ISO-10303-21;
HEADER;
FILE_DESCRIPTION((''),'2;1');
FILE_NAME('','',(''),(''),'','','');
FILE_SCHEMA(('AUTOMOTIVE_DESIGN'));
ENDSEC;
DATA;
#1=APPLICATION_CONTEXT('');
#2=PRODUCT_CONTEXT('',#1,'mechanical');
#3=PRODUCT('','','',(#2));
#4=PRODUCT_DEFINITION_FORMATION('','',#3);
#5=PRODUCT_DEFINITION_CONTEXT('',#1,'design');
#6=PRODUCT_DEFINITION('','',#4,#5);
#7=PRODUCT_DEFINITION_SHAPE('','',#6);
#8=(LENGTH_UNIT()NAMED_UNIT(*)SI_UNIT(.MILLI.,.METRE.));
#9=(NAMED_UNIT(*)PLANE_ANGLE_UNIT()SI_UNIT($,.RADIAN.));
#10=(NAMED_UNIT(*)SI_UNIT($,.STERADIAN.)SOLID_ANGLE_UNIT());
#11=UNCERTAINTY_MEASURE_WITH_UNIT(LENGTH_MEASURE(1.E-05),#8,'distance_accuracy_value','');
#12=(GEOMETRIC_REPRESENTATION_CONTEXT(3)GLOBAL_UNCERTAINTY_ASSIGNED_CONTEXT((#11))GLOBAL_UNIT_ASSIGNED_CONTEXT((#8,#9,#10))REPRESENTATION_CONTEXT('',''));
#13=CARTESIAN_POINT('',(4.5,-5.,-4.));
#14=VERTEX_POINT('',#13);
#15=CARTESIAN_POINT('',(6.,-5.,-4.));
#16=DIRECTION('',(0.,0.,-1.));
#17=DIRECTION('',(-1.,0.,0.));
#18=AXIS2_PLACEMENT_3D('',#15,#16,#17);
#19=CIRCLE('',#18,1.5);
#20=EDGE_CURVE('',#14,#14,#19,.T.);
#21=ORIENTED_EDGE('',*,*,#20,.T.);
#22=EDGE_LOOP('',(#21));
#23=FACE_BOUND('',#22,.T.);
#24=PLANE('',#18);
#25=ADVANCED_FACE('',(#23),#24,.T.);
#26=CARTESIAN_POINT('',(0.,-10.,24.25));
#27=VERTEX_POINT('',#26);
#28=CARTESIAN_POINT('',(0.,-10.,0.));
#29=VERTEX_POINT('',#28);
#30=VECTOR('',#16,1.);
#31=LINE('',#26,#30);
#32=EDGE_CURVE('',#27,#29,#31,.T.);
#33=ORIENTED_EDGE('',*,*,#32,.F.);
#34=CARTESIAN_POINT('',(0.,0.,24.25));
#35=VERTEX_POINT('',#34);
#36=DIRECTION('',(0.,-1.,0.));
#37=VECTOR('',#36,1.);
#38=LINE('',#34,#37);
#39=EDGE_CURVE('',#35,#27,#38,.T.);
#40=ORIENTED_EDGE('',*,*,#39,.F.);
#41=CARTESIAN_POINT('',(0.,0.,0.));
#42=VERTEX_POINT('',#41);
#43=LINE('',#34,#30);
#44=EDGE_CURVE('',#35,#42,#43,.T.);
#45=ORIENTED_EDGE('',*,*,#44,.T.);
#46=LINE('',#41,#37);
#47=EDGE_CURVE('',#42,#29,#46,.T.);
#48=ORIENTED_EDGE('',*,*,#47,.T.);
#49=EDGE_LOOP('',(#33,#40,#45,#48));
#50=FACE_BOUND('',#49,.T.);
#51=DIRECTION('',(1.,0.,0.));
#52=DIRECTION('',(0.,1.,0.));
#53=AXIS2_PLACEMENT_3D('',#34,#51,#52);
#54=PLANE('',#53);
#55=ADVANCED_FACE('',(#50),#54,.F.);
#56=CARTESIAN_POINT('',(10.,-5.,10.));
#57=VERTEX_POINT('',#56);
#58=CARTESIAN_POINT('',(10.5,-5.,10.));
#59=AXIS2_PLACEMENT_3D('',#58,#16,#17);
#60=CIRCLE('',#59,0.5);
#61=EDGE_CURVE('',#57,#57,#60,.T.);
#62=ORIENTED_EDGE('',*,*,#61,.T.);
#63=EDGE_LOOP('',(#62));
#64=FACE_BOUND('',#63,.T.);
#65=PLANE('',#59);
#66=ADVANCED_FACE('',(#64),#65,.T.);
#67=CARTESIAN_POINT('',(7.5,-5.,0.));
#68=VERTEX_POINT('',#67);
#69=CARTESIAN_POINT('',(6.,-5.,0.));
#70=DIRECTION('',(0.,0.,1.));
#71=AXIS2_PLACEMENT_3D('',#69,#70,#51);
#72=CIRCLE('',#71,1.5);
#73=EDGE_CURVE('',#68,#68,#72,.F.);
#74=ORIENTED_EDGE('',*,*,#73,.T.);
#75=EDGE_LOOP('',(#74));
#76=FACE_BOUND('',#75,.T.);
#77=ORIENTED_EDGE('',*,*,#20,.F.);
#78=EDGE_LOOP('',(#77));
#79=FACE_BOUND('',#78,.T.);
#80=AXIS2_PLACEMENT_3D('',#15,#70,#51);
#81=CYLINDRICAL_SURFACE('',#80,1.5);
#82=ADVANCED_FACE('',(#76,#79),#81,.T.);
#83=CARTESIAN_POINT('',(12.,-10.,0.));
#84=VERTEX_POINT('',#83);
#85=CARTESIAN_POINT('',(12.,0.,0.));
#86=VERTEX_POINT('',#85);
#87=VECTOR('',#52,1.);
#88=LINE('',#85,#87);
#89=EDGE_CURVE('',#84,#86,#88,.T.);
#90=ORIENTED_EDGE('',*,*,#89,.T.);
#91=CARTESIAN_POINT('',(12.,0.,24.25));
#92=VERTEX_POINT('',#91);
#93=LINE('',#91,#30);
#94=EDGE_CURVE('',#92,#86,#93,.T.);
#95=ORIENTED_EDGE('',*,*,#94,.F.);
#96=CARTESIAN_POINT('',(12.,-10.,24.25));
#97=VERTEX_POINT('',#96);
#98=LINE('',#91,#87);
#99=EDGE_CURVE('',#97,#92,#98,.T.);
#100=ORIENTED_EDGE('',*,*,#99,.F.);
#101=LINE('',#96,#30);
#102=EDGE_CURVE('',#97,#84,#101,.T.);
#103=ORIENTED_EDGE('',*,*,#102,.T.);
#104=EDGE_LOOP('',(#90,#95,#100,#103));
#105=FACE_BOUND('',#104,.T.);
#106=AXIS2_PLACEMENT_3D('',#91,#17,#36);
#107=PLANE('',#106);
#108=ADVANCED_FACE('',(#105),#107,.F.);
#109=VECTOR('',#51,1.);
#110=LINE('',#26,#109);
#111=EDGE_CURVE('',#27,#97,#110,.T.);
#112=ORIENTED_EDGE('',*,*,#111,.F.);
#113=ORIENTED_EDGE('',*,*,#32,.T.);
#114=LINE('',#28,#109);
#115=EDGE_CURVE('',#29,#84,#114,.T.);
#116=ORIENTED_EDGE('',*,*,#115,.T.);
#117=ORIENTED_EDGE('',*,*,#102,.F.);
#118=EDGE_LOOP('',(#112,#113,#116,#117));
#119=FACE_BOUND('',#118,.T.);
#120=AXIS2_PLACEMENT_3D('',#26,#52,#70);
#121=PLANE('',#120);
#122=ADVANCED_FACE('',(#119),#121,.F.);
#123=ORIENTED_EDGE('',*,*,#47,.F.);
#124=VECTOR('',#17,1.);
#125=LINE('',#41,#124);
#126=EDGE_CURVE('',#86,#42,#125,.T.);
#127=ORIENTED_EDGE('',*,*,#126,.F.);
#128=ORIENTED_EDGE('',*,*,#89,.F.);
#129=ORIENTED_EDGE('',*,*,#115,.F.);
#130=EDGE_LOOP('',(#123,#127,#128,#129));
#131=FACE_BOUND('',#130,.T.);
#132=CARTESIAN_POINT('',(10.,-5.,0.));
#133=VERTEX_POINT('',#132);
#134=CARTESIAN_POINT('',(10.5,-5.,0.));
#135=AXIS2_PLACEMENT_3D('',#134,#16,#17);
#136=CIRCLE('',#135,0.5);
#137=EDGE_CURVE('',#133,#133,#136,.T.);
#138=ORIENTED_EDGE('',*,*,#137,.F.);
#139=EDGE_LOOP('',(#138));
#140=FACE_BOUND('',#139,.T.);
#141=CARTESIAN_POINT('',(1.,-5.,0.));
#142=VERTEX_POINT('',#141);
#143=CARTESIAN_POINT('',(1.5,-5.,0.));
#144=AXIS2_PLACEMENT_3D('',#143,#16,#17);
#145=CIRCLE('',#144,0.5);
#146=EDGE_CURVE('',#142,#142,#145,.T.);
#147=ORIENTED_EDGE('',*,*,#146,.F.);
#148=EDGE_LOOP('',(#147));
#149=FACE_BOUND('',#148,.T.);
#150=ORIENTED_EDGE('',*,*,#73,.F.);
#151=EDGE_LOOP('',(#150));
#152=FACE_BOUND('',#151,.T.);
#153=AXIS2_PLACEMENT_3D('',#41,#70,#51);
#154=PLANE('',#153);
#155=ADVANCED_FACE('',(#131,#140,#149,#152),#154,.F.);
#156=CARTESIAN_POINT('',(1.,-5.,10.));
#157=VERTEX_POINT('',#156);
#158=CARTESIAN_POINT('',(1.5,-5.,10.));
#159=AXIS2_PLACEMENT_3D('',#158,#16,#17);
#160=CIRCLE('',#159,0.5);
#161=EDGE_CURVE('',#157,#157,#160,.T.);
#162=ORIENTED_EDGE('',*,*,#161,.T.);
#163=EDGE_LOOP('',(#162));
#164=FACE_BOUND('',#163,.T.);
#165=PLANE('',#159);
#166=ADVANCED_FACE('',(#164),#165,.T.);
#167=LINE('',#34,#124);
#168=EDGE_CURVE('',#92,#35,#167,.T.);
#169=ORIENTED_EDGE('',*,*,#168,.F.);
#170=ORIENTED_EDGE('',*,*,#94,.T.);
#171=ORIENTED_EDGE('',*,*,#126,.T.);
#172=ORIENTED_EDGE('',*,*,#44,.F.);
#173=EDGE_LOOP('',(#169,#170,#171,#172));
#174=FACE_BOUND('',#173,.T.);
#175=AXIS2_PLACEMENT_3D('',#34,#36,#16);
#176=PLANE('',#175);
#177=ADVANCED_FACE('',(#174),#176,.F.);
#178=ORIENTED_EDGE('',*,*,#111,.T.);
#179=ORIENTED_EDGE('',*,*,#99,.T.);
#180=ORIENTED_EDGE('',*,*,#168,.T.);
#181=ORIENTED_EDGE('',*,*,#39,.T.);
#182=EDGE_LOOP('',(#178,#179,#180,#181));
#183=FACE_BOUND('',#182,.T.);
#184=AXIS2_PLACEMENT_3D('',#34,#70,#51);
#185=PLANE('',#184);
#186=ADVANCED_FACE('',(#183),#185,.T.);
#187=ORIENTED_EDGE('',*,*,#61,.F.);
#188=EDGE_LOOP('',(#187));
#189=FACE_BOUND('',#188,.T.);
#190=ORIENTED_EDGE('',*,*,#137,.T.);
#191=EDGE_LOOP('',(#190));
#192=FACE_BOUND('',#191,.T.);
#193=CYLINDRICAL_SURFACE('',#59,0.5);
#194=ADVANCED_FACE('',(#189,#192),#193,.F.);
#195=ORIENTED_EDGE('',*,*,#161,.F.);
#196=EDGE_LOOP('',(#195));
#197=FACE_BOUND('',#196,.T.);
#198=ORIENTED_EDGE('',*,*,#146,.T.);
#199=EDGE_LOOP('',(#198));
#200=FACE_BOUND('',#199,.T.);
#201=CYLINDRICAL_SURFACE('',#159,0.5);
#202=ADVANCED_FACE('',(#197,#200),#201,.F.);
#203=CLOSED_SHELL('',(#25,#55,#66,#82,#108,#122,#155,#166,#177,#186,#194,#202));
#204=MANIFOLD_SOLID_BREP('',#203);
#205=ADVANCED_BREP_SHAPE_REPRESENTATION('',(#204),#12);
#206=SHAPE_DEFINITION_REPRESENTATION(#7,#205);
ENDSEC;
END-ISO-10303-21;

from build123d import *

# Parameters (mm, degrees)
SKETCH1_W           = 12
SKETCH1_H           = 10
BOSS_EXTRUDE1_DEPTH = 24.25
SKETCH2_R           = 0.5
CUT_EXTRUDE1_DEPTH  = 10
SKETCH3_R           = 1.5
BOSS_EXTRUDE2_DEPTH = 4


with BuildPart() as part:
    # Sketch1 → Boss-Extrude1 (new body)
    with BuildSketch(Plane.XY):
        with Locations((6, -5)):
            Rectangle(SKETCH1_W, SKETCH1_H)
    extrude(amount=BOSS_EXTRUDE1_DEPTH)

    # Sketch2 → Cut-Extrude1 (cut)
    with BuildSketch(Plane(origin=(0, 0, 0), x_dir=(-1, 0, 0), z_dir=(0, 0, -1))):
        with Locations((-10.5, -5)):
            Circle(SKETCH2_R)
        with Locations((-1.5, -5)):
            Circle(SKETCH2_R)
    extrude(amount=-CUT_EXTRUDE1_DEPTH, mode=Mode.SUBTRACT)

    # Sketch3 → Boss-Extrude2 (add)
    with BuildSketch(Plane(origin=(0, 0, 0), x_dir=(-1, 0, 0), z_dir=(0, 0, -1))):
        with Locations(Location((-6, -5, 0), (0, 0, 180))):
            Circle(SKETCH3_R)
    extrude(amount=BOSS_EXTRUDE2_DEPTH)


solid = part.part
